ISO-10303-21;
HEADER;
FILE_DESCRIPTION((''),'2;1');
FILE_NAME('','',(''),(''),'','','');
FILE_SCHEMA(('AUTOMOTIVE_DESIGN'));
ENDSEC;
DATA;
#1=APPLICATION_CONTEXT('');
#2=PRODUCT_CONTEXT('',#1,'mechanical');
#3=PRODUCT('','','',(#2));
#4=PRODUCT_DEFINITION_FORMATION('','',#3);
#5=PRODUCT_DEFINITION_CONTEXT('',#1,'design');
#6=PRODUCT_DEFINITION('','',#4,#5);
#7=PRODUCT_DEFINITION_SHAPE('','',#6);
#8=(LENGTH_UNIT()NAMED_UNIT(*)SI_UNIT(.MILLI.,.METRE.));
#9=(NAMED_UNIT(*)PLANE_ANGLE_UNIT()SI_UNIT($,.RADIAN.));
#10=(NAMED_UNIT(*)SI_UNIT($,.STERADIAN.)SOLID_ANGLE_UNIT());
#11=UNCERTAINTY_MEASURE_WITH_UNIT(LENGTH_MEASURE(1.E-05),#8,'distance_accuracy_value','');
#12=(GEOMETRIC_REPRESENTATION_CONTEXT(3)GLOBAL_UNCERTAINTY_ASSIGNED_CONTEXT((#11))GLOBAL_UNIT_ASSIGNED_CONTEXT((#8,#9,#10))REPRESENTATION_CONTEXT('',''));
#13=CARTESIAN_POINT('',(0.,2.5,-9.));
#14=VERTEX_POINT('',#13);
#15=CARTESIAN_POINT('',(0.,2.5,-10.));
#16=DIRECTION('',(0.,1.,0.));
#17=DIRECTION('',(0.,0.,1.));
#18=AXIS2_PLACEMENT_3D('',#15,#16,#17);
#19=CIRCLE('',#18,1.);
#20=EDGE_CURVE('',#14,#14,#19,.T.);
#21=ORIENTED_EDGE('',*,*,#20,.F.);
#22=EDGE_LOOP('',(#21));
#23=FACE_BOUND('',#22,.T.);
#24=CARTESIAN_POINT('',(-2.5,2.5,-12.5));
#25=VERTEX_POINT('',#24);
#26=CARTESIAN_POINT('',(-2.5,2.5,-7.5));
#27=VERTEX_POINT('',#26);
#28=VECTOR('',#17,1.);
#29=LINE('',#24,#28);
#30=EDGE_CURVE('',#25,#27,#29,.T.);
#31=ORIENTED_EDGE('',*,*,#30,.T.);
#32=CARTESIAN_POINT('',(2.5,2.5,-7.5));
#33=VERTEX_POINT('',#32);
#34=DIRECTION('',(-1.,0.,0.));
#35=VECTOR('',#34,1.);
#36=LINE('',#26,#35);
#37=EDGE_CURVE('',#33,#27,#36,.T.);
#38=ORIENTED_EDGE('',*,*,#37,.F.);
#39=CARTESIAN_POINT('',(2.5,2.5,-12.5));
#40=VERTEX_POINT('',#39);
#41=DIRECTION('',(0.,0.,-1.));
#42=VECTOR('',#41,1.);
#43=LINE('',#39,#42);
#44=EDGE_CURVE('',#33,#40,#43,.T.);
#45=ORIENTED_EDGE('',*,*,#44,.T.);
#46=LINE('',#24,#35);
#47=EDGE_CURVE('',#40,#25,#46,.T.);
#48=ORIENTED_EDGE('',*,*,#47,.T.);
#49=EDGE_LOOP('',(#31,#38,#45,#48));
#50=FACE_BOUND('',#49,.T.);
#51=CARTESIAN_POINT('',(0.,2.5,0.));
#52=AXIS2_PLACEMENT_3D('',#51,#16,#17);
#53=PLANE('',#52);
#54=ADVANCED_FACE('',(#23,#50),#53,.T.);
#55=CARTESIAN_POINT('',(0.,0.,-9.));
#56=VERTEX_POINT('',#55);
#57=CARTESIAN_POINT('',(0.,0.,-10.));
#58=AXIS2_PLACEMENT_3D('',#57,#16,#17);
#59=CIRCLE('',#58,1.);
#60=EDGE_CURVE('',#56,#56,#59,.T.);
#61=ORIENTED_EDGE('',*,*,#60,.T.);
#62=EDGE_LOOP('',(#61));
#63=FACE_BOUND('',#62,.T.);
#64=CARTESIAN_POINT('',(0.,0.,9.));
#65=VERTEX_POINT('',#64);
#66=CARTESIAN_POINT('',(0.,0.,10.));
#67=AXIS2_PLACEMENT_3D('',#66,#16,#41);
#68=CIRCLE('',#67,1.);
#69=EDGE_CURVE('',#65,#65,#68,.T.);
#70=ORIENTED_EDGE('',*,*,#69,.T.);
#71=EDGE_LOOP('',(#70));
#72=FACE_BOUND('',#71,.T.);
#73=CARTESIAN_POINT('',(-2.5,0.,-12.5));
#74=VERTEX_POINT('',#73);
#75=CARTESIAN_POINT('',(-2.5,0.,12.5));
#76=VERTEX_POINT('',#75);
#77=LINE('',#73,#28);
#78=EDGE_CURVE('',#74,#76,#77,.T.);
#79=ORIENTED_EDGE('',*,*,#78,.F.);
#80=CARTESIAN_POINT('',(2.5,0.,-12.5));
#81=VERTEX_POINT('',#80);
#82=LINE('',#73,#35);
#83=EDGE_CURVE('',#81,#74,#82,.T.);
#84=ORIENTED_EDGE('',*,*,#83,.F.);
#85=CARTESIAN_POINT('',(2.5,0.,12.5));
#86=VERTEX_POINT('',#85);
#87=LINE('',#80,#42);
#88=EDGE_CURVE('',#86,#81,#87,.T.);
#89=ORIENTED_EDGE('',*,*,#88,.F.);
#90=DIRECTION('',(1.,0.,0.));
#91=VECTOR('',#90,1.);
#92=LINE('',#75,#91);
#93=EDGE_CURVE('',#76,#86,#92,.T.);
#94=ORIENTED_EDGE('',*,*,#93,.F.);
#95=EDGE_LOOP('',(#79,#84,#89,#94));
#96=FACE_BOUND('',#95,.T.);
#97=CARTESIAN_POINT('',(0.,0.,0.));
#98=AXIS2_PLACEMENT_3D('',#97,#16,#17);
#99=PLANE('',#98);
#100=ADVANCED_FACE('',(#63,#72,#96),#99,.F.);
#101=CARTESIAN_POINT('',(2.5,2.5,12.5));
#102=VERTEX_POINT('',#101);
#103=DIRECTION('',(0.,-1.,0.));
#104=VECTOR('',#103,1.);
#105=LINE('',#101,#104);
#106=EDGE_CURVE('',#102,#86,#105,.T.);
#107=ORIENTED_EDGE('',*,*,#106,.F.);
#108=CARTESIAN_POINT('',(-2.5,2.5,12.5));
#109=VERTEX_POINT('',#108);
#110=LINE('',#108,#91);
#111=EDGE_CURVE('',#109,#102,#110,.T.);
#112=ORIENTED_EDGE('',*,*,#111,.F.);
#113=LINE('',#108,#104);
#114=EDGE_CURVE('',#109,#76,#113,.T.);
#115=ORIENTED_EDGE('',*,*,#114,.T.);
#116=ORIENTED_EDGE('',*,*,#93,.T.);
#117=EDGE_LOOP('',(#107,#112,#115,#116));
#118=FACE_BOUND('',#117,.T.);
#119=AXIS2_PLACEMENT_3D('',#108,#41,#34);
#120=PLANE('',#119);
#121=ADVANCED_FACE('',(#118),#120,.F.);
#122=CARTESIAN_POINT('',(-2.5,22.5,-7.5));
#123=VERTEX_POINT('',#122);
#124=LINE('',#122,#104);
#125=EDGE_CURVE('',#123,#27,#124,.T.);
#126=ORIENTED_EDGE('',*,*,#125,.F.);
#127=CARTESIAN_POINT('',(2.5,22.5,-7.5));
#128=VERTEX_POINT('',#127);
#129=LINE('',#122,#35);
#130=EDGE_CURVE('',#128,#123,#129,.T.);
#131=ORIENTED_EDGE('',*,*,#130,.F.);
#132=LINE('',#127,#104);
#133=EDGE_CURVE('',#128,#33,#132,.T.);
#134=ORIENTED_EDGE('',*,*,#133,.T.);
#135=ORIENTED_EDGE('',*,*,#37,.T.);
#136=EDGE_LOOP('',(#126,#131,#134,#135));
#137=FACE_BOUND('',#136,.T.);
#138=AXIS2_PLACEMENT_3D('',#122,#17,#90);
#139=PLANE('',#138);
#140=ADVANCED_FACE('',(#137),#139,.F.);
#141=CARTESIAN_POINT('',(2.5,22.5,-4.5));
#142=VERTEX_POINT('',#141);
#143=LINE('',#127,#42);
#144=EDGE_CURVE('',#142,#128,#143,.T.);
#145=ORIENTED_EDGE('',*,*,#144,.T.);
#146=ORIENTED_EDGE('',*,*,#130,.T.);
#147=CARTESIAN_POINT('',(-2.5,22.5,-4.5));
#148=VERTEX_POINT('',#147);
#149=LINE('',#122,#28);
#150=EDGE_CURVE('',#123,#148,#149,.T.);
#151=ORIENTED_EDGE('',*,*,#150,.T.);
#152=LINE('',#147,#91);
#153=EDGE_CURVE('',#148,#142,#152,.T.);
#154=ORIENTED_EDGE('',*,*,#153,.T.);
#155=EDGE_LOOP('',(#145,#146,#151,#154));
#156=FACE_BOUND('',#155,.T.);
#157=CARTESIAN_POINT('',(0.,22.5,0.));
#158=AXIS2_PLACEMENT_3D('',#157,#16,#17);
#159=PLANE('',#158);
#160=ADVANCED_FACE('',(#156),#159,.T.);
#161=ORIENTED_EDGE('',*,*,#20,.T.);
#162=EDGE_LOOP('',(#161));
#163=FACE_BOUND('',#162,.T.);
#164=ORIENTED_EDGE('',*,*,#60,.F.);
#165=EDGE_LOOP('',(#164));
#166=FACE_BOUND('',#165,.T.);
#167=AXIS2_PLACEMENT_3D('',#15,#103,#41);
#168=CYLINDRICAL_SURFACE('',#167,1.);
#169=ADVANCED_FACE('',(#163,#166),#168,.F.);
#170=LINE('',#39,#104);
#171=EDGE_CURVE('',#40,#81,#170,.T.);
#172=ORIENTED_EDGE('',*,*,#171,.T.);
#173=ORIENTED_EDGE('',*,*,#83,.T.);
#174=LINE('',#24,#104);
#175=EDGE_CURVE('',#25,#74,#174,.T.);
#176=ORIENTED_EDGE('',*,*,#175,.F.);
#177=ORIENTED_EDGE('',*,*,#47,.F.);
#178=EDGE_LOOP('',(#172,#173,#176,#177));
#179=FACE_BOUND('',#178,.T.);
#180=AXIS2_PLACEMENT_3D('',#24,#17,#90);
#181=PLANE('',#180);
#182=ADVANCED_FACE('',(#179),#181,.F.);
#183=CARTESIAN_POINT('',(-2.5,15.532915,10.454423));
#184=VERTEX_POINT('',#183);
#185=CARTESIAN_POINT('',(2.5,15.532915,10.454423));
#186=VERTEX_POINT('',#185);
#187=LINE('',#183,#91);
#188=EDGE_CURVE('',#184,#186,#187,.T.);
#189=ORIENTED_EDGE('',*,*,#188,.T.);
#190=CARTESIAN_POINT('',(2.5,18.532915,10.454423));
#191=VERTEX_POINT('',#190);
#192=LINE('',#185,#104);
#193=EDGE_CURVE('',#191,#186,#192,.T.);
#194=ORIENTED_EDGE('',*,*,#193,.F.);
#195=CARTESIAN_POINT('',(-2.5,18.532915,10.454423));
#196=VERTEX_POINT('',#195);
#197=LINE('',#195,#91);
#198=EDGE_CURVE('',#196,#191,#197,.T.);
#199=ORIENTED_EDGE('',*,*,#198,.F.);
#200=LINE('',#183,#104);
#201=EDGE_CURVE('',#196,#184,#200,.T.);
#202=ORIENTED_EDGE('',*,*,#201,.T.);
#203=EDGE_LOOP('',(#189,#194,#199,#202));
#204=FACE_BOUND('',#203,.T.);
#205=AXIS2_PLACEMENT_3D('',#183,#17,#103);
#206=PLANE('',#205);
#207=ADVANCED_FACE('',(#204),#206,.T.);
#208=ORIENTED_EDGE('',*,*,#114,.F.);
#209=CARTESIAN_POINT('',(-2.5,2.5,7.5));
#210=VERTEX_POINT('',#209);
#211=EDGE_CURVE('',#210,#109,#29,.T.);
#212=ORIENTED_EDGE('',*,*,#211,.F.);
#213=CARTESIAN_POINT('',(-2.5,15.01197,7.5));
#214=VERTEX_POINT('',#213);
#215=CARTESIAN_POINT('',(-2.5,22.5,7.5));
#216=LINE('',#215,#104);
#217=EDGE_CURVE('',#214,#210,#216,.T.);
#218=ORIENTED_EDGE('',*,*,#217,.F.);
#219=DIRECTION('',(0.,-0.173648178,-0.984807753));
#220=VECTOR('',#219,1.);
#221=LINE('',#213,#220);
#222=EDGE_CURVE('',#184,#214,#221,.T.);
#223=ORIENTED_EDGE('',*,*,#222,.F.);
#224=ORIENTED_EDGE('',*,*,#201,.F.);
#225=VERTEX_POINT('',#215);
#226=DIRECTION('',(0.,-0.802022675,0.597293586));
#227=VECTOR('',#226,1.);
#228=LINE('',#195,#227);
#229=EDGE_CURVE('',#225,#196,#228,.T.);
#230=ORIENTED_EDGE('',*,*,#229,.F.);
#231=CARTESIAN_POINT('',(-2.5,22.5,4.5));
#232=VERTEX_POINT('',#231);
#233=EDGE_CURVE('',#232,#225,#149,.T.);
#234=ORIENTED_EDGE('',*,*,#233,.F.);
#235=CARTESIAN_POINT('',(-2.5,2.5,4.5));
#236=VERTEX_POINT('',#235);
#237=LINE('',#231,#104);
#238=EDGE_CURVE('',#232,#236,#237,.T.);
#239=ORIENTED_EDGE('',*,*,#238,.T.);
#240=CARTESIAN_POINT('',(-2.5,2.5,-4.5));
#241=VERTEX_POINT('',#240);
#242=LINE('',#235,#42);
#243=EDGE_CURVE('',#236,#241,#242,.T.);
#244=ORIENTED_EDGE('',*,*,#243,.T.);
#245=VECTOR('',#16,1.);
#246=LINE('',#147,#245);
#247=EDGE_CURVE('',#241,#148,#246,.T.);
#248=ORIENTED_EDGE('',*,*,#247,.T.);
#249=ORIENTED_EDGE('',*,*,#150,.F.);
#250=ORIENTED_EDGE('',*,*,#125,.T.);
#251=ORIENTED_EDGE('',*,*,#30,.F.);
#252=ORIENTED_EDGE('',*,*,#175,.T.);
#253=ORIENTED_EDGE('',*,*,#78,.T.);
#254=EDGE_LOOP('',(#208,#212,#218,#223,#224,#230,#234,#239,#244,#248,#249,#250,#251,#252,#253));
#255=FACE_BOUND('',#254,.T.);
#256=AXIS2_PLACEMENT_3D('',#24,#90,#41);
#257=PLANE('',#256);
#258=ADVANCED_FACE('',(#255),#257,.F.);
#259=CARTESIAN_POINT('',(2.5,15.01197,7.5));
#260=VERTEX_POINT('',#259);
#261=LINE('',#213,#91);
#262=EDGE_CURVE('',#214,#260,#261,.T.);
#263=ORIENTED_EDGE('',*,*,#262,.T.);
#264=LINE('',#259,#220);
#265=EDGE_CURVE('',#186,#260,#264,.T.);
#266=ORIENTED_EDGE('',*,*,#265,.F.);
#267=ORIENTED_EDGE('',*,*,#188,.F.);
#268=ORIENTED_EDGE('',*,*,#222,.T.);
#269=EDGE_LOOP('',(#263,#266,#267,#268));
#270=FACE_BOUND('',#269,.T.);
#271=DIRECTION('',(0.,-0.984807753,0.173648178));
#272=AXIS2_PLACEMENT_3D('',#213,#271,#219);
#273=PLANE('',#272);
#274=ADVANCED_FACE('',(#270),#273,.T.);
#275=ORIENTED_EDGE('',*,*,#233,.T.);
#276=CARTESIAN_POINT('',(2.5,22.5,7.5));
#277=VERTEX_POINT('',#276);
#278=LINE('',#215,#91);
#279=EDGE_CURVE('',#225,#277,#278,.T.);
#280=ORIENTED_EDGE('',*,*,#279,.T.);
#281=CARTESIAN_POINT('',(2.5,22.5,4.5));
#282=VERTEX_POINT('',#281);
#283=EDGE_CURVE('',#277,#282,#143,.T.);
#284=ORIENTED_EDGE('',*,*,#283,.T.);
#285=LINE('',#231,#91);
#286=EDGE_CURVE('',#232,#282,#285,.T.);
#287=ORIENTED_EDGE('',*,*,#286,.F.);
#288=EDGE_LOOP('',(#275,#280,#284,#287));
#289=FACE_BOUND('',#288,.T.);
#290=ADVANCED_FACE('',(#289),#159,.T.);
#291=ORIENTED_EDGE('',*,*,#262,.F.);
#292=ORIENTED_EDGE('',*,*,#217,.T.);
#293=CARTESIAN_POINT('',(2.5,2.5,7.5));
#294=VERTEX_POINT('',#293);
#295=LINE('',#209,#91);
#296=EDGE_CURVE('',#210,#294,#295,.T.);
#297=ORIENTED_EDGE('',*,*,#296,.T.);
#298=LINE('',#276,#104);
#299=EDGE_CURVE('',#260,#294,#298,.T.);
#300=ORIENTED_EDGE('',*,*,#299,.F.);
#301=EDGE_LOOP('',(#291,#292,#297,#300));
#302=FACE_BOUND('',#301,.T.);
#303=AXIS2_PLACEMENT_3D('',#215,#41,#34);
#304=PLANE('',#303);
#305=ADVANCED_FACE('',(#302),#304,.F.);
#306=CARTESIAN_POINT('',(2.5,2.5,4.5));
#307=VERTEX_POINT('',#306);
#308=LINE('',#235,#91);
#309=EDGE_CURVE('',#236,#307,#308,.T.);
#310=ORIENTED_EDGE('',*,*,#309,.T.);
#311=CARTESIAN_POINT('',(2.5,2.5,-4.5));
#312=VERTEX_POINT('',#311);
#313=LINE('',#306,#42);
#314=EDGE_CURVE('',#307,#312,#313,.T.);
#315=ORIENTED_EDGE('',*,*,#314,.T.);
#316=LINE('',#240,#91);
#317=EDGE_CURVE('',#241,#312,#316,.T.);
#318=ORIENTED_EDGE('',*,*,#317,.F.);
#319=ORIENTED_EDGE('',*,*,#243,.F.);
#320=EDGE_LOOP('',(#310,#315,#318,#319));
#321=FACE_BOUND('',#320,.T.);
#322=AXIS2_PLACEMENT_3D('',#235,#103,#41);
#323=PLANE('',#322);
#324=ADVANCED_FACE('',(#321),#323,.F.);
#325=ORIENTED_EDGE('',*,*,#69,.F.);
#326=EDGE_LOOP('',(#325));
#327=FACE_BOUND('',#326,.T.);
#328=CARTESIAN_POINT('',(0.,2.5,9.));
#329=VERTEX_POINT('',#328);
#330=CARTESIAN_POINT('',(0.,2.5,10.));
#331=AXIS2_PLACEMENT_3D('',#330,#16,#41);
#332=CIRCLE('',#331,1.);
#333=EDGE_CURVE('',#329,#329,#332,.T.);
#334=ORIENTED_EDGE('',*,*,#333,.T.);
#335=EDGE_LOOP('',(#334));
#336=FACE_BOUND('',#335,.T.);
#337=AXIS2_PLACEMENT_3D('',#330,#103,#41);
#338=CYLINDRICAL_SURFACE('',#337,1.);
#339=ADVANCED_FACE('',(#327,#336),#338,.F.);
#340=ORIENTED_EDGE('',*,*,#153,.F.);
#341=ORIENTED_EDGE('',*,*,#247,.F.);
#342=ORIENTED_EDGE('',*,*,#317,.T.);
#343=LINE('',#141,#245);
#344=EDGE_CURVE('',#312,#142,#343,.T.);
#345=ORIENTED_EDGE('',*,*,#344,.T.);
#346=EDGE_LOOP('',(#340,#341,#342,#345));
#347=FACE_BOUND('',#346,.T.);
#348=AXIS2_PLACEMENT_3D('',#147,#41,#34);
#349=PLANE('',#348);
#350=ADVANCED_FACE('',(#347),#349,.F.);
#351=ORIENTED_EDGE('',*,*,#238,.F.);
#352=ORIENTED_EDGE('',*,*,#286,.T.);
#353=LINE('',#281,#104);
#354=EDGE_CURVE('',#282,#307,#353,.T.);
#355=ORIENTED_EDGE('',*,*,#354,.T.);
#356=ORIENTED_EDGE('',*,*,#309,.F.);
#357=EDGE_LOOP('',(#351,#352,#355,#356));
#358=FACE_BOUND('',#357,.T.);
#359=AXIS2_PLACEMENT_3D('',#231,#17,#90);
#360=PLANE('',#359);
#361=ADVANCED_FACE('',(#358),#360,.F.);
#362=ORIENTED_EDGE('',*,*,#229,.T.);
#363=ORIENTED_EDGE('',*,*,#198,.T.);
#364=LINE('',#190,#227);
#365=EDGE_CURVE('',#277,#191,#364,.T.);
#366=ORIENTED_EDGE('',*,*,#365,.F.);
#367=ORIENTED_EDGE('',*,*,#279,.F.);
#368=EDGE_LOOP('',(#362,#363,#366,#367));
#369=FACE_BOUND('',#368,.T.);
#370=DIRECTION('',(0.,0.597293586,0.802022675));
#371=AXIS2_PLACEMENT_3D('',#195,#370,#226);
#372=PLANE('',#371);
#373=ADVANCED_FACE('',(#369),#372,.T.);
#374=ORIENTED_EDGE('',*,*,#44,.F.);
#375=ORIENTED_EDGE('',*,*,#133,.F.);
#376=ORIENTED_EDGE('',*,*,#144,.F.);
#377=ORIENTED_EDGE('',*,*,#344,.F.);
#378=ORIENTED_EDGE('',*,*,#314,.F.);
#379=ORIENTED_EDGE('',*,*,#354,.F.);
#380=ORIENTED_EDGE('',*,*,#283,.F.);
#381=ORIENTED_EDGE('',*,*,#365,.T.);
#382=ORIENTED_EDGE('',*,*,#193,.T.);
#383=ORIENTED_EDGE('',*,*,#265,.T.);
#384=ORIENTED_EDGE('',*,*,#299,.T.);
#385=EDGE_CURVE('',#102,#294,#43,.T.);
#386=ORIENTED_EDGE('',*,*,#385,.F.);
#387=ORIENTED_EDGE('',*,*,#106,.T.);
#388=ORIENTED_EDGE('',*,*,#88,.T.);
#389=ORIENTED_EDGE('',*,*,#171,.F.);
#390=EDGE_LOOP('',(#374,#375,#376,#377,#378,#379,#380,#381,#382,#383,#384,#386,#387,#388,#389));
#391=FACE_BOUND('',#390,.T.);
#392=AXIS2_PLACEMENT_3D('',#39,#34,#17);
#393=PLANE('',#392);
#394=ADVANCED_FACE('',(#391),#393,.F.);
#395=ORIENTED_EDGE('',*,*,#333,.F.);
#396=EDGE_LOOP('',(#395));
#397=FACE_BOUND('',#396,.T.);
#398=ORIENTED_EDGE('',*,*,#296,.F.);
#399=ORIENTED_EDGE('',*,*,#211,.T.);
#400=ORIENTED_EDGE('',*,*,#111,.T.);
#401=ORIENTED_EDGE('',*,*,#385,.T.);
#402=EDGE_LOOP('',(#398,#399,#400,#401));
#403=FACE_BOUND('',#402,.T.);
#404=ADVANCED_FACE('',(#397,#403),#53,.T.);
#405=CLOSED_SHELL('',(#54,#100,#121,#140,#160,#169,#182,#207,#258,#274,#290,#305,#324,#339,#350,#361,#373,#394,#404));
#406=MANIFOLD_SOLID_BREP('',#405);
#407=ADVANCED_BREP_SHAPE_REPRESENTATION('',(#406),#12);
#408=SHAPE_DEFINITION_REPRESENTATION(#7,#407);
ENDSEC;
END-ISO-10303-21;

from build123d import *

# Parameters (mm, degrees)
SKETCH_1_W          = 5
SKETCH_1_H          = 25
SKETCH_1_R          = 1
EXTRUDE_1_DEPTH     = 2.5
SKETCH_3_W          = 5
SKETCH_3_H          = 15
EXTRUDE_2_DEPTH     = 20
SKETCH_6_W          = 9
SKETCH_6_H          = 20
CUT_EXTRUDE_1_DEPTH = 27.220221204
EXTRUDE_3_DEPTH     = 5


with BuildPart() as part:
    # 草图1 → 凸台-拉伸1 (new body)
    with BuildSketch(Plane(origin=(0, 0, 0), x_dir=(1, 0, 0), z_dir=(0, 1, 0))):
        Rectangle(SKETCH_1_W, SKETCH_1_H)
        with Locations(Location((0, 10, 0), (0, 0, 270))):
            Circle(SKETCH_1_R, mode=Mode.SUBTRACT)
        with Locations(Location((0, -10, 0), (0, 0, 90))):
            Circle(SKETCH_1_R, mode=Mode.SUBTRACT)
    extrude(amount=EXTRUDE_1_DEPTH)

    # 草图3 → 凸台-拉伸2 (add)
    with BuildSketch(Plane(origin=(0, 2.5, 0), x_dir=(1, 0, 0), z_dir=(0, 1, 0))):
        Rectangle(SKETCH_3_W, SKETCH_3_H)
    extrude(amount=EXTRUDE_2_DEPTH)

    # 草图6 → 切除-拉伸1 (cut, through all)
    with BuildSketch(Plane(origin=(2.5, 0, 0), x_dir=(0, 0, -1), z_dir=(1, 0, 0))):
        with Locations((0, 12.5)):
            Rectangle(SKETCH_6_W, SKETCH_6_H)
    extrude(amount=-CUT_EXTRUDE_1_DEPTH, mode=Mode.SUBTRACT)

    # 草图5 → 凸台-拉伸3 (add)
    with BuildSketch(Plane(origin=(2.5, 0, 0), x_dir=(0, 0, -1), z_dir=(1, 0, 0))):
        Polygon((-7.5, 15.011970436), (-10.454423259, 15.532914969), (-10.454423259, 18.532914969), (-7.5, 22.5), align=None)
    extrude(amount=-EXTRUDE_3_DEPTH)


solid = part.part
